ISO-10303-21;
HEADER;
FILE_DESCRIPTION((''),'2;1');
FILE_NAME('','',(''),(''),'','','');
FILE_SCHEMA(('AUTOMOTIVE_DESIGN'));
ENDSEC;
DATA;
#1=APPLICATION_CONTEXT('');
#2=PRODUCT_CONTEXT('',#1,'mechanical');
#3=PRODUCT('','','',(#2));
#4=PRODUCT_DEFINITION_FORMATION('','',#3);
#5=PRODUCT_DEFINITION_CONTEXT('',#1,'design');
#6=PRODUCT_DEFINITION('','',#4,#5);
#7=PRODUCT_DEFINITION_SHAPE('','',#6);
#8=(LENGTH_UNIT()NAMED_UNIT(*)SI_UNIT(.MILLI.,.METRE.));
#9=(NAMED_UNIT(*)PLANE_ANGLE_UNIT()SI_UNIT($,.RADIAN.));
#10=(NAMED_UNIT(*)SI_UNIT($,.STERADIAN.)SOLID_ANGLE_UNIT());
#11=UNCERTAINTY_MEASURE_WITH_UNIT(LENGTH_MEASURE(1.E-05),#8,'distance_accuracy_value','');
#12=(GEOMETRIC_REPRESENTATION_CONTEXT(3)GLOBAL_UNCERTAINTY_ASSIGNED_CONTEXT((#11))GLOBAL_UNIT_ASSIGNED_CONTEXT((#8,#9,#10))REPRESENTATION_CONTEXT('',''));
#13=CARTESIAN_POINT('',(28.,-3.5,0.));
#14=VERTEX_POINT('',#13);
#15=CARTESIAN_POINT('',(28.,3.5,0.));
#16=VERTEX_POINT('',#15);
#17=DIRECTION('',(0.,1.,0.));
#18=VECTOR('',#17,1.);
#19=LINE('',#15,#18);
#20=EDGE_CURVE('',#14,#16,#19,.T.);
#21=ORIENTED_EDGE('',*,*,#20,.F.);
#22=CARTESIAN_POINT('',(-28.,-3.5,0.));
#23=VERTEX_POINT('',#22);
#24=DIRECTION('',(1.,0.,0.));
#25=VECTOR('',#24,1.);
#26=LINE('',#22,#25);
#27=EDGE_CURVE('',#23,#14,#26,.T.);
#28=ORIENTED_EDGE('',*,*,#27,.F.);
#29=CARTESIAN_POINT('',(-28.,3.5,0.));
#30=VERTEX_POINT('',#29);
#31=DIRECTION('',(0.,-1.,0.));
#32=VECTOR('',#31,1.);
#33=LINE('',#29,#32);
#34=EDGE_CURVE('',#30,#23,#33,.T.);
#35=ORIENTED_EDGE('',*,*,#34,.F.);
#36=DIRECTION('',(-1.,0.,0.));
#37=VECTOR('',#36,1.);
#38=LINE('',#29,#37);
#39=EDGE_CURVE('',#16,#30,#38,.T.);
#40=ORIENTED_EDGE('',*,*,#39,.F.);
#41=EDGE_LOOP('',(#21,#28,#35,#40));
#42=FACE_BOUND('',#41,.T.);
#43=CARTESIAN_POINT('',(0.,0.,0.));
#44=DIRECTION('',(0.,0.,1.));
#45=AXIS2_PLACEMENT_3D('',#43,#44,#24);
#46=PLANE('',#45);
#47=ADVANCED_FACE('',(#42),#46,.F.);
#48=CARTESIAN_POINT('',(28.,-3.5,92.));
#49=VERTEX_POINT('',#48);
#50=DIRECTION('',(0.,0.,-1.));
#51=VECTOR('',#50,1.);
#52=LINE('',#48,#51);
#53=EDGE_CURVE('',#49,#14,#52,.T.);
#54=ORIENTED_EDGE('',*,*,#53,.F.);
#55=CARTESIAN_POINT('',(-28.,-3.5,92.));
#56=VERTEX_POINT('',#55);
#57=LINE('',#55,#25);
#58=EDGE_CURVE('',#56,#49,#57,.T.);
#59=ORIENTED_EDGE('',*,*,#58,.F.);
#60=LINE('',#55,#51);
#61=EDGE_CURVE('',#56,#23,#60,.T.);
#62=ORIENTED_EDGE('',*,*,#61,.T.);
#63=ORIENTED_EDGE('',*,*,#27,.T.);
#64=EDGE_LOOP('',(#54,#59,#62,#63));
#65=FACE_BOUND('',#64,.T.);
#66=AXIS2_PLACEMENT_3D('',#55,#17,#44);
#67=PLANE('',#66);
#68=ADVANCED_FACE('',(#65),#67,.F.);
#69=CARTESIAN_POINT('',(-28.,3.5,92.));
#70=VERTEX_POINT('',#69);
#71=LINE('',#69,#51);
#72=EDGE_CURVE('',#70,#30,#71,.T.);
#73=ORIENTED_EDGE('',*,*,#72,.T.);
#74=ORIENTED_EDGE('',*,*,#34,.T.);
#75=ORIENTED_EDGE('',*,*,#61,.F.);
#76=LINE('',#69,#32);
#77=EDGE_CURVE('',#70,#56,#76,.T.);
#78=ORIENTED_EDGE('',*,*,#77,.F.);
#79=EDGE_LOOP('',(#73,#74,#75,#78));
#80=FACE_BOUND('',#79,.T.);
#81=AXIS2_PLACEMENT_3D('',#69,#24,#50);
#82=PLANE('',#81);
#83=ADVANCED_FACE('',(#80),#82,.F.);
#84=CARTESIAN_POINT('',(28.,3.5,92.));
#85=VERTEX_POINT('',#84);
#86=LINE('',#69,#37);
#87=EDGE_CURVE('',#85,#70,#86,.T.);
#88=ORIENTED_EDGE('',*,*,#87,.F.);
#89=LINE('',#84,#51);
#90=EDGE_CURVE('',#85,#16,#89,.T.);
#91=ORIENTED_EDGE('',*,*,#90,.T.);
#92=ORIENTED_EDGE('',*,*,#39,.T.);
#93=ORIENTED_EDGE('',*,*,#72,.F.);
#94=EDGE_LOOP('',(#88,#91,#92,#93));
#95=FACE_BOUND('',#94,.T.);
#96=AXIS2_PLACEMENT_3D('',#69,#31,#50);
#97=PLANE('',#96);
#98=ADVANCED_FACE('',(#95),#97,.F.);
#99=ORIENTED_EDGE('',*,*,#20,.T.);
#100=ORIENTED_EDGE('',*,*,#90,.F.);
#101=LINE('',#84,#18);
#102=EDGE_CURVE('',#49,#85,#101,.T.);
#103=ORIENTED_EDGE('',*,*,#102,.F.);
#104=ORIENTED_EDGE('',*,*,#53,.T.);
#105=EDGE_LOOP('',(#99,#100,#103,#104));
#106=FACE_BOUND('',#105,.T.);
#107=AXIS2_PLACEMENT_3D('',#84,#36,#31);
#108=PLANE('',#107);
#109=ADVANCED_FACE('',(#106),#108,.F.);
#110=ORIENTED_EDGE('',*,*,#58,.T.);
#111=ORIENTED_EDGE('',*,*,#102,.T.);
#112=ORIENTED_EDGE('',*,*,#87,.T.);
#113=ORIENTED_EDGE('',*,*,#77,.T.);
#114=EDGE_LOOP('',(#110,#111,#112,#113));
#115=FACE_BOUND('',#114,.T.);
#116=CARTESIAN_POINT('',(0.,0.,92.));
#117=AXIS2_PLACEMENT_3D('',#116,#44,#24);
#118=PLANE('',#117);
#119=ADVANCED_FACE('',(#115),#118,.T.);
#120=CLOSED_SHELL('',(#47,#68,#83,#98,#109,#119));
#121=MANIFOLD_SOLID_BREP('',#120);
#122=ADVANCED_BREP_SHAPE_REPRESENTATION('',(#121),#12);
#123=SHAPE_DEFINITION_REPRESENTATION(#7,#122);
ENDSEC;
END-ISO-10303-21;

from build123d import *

# Parameters (mm, degrees)
SKETCH_1_W      = 56
SKETCH_1_H      = 7
EXTRUDE_1_DEPTH = 92


with BuildPart() as part:
    # 草图1 → 凸台-拉伸1 (new body)
    with BuildSketch(Plane.XY):
        Rectangle(SKETCH_1_W, SKETCH_1_H)
    extrude(amount=EXTRUDE_1_DEPTH)


solid = part.part
